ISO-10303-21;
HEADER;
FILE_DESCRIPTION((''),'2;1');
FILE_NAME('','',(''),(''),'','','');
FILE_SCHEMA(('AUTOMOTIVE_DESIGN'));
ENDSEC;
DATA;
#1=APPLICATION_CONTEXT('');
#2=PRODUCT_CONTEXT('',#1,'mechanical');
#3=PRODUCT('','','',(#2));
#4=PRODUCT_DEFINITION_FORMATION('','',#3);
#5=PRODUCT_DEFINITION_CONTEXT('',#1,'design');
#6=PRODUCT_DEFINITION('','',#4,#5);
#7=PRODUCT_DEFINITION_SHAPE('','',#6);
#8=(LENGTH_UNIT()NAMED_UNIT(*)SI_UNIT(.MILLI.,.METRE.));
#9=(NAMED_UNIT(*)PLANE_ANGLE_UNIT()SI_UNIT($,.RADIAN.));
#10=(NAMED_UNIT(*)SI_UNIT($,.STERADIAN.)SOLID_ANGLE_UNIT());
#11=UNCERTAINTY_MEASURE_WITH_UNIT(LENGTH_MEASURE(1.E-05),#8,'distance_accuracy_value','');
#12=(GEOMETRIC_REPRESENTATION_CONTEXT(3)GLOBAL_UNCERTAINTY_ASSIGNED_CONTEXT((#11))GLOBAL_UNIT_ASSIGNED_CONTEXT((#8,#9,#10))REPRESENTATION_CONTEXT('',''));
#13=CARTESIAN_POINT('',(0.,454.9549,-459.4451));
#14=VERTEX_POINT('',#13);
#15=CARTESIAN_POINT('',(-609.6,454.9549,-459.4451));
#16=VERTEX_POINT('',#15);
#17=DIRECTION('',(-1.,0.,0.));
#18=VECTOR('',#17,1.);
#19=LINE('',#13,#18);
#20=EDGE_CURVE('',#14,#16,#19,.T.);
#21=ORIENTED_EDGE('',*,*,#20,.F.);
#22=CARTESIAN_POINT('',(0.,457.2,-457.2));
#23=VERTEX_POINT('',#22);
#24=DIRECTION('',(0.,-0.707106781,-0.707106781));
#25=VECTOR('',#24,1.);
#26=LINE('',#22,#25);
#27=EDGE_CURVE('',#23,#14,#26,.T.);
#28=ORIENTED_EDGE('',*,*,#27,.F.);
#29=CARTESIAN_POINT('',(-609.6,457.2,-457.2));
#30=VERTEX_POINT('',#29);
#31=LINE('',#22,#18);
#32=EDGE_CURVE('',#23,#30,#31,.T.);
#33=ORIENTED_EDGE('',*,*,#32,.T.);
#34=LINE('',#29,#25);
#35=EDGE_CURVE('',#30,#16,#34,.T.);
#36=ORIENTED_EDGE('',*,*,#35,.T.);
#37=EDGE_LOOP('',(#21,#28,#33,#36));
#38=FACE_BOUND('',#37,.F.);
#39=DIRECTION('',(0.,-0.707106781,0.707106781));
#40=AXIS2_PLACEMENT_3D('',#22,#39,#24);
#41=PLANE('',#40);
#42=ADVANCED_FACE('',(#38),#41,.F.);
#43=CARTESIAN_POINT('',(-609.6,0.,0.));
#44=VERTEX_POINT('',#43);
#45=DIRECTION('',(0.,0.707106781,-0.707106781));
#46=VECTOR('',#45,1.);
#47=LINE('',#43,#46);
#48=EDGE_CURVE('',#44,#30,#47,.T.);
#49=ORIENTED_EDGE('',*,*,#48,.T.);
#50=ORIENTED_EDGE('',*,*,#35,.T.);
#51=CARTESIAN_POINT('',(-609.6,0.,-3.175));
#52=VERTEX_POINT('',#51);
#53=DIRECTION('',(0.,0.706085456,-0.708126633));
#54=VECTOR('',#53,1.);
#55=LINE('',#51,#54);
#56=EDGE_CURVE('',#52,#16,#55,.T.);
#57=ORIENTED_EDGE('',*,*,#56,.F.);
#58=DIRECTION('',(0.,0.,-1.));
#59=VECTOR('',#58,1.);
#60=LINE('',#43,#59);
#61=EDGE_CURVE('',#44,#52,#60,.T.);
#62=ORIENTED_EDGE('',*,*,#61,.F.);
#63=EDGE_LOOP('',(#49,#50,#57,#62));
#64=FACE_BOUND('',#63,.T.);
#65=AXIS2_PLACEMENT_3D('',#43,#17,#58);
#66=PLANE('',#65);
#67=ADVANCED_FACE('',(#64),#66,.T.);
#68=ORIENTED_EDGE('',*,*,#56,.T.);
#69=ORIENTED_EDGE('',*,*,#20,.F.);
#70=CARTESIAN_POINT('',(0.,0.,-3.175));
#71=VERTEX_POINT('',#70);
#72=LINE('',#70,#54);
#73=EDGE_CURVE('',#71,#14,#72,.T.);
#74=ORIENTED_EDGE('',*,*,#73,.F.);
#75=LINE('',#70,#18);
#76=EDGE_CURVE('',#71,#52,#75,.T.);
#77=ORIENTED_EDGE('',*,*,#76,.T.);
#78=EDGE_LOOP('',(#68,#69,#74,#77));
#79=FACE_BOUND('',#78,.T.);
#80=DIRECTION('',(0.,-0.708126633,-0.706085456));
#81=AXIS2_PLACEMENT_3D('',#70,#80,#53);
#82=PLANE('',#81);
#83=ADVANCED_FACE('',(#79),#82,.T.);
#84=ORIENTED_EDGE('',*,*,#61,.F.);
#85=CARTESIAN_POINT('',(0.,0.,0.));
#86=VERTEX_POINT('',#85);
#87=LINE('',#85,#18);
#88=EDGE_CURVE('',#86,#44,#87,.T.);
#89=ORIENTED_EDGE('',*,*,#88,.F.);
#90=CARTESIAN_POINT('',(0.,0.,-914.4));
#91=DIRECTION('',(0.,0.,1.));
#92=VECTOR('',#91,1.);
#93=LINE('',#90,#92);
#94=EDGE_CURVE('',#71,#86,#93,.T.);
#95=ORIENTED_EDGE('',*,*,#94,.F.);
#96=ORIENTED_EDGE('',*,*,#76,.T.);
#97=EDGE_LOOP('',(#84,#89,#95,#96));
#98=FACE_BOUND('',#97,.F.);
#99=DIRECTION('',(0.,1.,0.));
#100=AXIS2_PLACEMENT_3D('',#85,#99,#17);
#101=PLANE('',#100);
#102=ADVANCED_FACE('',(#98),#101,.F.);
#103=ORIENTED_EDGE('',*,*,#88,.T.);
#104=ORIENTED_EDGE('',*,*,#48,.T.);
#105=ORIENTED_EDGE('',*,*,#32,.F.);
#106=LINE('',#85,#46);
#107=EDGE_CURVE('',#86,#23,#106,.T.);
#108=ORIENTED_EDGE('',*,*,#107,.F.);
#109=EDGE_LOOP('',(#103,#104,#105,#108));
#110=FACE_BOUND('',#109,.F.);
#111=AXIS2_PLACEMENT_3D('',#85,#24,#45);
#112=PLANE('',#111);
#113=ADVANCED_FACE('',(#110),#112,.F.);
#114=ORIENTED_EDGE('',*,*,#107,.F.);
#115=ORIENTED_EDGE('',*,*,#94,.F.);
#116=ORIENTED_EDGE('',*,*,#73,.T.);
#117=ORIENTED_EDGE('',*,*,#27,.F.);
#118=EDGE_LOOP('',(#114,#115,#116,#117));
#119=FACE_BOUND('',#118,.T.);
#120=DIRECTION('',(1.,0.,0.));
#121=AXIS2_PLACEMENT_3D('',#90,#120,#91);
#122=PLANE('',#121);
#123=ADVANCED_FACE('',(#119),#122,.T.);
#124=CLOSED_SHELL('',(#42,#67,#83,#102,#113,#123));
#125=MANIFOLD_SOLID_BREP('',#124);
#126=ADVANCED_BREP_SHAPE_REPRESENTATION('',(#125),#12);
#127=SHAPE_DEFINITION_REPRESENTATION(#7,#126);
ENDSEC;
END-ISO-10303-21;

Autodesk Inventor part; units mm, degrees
ref_plane "YZ Plane" through (0, 0, 0) normal (1, 0, 0) x (0, 1, 0)
ref_plane "XZ Plane" through (0, 0, 0) normal (0, 1, 0) x (-1, 0, 0)
ref_plane "XY Plane" through (0, 0, 0) normal (0, 0, 1) x (1, 0, 0)
sketch "Sketch6" plane through (0, 0, 0) normal (0, 1, 0) x (-1, 0, 0)
  line L0 (0, 0) -> (609.6, 0)
  line L1 (609.6, 0) -> (609.6, -914.4)
  line L2 (609.6, -914.4) -> (0, -914.4)
  line L3 (0, -914.4) -> (0, 0)
  dimension "d21" = 609.6
  dimension "d22" = 914.4
extrude "Extrusion6" add sketch "Sketch6" along normal blind 609.6
sketch "Sketch8" plane through (0, 0, 0) normal (1, 0, 0) x (0, 0, -1)
  line L0 (0, 609.6) -> (914.4, 609.6) projected
  line L1 (0, 0) -> (457.2, 0) construction
  line L2 (0, 0) -> (457.2, 457.2)
  line L3 (0, 0) -> (646.5784, 0) construction
  line L4 (457.2, 457.2) -> (914.4, 0)
  line L5 (457.2, 457.2) -> (459.4451, 454.9549)
  line L6 (0, 0) -> (3.175, 0)
  line L7 (3.175, 0) -> (459.4451, 454.9549)
  dimension "d29" = 45
  dimension "d30" = 3.175
  dimension "d31" = 3.175
extrude "Extrusion7" cut sketch "Sketch8" against normal blind 609.6 keep common part
properties part number "TopV2" material "Acrylic, Clear"
